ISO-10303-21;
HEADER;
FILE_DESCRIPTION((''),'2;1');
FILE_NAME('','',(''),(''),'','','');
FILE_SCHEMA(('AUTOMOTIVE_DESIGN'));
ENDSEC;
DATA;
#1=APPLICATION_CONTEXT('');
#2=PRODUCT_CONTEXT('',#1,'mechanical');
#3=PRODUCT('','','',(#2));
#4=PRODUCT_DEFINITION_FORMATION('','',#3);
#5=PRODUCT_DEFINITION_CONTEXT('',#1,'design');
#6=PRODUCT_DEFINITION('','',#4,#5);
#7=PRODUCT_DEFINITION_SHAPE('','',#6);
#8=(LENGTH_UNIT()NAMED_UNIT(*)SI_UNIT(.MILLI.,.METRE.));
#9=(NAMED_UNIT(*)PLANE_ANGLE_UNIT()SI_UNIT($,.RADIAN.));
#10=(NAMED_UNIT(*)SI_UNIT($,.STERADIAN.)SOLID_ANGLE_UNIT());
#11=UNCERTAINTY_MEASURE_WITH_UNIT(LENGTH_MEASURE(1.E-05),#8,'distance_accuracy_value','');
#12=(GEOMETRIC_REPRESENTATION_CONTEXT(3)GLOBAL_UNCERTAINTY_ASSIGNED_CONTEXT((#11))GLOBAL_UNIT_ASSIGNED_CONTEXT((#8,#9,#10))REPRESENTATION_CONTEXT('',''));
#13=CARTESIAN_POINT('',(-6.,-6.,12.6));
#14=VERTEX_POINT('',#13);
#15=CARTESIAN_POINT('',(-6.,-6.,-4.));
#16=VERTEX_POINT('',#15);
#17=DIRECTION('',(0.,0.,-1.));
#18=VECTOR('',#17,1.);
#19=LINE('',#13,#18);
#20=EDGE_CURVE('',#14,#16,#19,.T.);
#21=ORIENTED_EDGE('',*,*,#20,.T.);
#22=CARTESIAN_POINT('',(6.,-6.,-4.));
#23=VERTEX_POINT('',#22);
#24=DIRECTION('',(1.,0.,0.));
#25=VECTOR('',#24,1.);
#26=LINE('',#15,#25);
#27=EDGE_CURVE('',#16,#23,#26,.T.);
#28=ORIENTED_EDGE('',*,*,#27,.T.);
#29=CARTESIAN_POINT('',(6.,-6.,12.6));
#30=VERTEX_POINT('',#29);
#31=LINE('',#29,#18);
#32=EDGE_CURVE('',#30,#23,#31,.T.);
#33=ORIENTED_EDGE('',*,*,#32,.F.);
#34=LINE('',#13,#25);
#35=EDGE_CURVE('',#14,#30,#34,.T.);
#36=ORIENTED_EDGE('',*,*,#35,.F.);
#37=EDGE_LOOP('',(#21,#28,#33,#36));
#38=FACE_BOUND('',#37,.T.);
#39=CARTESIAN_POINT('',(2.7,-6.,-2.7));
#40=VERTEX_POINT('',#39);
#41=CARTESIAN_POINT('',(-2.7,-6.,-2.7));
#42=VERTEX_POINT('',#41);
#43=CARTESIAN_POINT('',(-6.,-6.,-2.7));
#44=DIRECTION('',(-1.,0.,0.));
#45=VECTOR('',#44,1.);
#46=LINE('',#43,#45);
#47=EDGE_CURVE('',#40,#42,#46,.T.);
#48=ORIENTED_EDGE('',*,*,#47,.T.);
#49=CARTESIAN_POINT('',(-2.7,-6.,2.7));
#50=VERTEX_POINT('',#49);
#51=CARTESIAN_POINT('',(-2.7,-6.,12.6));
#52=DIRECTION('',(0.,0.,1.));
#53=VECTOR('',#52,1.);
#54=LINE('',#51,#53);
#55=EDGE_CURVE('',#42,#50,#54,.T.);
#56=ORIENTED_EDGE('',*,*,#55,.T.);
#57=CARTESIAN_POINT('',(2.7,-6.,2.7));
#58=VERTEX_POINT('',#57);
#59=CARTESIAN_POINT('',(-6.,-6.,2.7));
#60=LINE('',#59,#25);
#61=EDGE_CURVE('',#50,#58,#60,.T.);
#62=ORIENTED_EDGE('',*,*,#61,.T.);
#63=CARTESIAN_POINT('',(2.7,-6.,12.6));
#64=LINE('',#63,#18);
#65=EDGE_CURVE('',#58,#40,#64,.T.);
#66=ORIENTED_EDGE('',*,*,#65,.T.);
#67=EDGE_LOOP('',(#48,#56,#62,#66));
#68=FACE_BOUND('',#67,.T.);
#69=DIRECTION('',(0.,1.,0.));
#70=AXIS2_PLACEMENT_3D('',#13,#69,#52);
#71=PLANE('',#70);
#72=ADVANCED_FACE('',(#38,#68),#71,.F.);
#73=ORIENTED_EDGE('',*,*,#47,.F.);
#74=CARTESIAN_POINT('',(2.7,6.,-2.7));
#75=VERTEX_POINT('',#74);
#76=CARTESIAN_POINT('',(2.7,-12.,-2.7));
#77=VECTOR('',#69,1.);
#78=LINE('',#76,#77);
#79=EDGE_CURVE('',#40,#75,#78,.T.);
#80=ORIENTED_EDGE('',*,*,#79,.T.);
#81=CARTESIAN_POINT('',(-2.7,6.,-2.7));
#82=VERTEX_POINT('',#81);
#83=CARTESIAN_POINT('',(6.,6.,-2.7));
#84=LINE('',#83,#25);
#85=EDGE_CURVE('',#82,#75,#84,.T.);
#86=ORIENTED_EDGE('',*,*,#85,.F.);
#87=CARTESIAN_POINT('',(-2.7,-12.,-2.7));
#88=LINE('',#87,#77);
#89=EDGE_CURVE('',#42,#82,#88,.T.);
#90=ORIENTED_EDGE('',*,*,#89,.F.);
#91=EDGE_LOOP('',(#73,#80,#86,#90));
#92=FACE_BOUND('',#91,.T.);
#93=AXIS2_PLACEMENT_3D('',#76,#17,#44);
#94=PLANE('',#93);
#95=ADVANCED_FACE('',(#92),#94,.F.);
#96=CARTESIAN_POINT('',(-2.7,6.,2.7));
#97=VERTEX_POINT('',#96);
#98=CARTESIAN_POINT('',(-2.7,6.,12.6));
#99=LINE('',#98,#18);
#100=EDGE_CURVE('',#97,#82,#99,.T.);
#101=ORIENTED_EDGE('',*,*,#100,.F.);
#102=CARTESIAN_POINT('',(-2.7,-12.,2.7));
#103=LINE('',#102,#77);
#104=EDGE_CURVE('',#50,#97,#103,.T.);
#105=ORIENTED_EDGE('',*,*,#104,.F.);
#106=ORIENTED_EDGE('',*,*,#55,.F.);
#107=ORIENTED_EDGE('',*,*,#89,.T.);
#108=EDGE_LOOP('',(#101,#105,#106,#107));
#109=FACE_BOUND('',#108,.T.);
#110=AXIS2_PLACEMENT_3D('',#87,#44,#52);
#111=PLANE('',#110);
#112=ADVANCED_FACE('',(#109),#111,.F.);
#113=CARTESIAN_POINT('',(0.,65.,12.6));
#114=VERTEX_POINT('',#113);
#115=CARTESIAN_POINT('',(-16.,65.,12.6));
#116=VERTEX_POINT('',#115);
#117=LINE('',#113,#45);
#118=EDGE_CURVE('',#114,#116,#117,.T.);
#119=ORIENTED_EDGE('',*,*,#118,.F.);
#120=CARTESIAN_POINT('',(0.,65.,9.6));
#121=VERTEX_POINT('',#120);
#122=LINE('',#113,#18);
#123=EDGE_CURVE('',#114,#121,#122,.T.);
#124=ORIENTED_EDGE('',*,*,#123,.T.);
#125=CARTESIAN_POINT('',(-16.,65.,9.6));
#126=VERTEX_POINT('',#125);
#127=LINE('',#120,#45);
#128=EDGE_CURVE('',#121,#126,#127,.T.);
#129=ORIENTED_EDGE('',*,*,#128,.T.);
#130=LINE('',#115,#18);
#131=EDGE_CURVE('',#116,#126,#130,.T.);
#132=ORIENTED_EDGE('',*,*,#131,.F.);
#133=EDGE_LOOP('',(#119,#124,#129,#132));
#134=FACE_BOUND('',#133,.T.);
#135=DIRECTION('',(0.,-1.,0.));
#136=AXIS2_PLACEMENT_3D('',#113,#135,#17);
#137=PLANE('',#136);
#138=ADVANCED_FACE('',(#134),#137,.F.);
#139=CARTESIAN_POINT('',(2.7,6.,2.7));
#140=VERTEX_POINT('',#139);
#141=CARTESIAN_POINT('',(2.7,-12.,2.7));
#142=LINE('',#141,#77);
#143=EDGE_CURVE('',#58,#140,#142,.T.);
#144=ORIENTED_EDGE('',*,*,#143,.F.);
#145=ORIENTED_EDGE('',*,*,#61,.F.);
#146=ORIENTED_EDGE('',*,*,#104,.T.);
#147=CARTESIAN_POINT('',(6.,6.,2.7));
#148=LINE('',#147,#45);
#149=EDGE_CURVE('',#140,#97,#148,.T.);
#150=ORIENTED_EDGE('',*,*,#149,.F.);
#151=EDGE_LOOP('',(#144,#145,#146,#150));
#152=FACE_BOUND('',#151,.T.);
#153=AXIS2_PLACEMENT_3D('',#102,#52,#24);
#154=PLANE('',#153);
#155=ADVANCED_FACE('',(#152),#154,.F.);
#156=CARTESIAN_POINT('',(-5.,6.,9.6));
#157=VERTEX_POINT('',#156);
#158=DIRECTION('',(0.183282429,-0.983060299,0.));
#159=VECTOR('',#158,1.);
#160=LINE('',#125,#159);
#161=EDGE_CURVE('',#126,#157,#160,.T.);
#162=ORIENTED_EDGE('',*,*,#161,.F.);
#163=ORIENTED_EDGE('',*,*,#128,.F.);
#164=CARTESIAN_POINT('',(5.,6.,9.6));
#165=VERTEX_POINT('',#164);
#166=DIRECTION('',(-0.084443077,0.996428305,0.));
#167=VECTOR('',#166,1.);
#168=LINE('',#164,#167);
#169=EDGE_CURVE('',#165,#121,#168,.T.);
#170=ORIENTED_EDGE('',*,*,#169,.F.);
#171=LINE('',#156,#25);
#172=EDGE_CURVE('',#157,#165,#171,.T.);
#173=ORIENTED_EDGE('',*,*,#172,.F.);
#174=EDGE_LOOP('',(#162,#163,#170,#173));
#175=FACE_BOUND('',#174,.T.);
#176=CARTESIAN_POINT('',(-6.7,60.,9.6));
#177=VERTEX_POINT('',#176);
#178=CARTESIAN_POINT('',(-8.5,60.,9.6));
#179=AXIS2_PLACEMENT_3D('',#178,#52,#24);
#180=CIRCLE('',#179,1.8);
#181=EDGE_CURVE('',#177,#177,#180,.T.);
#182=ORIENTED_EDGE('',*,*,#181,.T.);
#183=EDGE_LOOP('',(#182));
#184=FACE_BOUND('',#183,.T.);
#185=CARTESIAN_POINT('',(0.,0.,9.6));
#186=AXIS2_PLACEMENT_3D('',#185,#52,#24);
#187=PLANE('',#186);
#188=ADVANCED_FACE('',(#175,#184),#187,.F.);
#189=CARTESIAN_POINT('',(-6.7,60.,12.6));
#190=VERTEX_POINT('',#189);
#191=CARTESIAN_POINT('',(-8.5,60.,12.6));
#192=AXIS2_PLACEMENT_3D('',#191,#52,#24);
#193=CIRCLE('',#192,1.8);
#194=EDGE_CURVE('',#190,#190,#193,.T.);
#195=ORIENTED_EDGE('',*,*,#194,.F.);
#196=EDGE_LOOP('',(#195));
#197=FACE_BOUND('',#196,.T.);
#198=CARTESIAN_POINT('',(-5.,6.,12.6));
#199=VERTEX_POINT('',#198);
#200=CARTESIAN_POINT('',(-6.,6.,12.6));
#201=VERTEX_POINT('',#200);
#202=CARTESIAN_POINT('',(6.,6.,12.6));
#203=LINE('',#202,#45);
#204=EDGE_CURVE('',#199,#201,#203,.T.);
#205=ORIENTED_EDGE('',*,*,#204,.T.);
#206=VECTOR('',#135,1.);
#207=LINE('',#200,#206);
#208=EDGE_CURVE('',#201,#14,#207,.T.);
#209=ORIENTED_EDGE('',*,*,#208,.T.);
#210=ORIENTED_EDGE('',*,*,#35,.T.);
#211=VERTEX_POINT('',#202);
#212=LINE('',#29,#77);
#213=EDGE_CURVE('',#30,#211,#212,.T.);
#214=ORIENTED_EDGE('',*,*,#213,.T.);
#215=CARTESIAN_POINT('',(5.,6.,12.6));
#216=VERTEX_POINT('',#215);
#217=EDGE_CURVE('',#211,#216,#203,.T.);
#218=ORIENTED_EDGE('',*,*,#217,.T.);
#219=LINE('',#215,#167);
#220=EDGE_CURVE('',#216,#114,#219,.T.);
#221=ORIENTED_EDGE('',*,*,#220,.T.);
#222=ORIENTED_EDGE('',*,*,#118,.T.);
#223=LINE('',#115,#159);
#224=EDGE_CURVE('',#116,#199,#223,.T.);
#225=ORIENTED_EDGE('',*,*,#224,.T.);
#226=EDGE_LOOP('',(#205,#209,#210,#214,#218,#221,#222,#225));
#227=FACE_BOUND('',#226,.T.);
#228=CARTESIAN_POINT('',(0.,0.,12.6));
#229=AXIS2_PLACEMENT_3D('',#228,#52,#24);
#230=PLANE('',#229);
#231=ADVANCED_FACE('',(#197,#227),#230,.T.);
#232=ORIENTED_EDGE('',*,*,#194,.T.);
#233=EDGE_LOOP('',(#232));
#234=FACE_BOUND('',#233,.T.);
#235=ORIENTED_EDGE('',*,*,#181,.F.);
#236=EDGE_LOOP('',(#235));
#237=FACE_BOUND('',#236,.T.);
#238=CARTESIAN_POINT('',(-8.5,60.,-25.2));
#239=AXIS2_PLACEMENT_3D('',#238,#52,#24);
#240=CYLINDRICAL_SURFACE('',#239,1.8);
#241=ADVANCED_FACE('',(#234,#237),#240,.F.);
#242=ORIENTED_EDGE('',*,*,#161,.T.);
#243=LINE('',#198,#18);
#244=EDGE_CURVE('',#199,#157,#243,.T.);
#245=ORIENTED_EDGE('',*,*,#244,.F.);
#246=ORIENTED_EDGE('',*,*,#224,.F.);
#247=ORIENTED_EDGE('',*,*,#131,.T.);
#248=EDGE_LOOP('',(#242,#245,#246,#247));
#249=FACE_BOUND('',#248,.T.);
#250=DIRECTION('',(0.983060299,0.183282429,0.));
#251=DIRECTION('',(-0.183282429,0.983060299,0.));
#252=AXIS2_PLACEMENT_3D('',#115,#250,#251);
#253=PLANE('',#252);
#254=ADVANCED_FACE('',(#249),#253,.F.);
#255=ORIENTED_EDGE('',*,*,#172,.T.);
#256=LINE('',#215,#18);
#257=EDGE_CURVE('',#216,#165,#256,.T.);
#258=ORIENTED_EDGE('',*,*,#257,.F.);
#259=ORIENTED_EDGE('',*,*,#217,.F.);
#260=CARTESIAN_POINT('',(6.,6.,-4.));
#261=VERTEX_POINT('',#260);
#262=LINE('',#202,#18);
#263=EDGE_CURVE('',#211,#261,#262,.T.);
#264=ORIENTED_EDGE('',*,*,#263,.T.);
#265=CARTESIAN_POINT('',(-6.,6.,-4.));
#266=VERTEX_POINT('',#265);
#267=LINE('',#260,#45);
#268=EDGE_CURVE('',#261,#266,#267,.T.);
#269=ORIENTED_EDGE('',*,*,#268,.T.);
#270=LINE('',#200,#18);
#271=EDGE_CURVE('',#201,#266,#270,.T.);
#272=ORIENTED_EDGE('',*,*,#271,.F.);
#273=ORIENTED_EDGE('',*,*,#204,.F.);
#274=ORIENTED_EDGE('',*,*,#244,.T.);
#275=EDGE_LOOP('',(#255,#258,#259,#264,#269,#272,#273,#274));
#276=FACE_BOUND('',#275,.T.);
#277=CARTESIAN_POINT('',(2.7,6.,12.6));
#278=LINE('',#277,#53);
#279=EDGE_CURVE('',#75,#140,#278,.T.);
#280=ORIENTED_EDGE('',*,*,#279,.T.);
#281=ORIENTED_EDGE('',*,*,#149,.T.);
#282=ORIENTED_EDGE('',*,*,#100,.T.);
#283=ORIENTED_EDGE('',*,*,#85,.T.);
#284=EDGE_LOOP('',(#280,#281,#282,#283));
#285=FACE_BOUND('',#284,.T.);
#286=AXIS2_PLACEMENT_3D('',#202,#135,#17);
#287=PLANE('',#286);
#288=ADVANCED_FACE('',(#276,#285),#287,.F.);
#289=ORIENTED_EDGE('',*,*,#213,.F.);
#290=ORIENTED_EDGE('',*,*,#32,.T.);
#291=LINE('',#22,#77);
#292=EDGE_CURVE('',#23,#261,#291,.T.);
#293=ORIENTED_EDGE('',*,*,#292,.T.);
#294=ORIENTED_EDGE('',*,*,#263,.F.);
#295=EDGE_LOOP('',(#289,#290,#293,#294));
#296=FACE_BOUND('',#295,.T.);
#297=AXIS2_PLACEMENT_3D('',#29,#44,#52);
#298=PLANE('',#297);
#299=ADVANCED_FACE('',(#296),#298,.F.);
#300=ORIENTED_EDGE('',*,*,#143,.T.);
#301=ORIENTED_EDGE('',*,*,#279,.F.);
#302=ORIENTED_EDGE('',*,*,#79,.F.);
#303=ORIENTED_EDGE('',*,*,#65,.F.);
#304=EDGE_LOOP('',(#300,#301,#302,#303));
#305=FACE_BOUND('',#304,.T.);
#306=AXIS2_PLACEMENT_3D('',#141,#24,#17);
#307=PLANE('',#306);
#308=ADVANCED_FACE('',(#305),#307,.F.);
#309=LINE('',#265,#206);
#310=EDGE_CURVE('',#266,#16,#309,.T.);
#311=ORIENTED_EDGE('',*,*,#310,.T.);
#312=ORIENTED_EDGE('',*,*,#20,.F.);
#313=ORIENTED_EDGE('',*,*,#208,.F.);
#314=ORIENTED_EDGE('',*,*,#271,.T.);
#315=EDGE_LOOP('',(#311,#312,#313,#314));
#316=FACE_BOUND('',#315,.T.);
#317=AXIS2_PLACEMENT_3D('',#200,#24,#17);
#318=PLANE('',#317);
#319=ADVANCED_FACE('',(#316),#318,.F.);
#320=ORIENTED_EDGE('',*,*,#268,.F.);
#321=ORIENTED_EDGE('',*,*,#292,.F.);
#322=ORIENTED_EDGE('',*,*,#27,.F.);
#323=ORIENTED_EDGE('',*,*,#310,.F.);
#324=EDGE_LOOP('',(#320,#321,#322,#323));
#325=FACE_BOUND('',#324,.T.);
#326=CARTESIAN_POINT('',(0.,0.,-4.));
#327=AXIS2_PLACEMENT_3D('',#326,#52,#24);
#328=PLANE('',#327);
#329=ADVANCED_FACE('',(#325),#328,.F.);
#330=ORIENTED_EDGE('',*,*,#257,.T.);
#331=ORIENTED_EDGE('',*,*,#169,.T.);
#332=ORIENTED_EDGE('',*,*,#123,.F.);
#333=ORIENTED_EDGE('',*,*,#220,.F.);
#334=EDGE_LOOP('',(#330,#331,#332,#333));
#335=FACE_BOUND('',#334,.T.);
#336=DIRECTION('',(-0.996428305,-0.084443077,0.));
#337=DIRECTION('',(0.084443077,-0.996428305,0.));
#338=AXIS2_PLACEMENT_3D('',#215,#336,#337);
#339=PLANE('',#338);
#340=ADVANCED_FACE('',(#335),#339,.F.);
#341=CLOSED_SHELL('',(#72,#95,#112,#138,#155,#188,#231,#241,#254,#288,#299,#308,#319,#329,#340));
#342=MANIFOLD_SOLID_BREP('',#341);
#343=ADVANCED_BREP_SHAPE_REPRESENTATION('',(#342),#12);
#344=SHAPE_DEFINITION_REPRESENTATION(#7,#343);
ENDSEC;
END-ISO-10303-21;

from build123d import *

# Parameters (mm, degrees)
BOSS_EXTRUDE1_START = -4
SKETCH1_W           = 12
SKETCH1_H           = 12
BOSS_EXTRUDE1_DEPTH = 16.6
SKETCH2_W           = 5.4
SKETCH2_H           = 5.4
CUT_EXTRUDE1_DEPTH  = 12
BOSS_EXTRUDE2_START = 9.6
BOSS_EXTRUDE2_DEPTH = 3
SKETCH4_R           = 1.8
CUT_EXTRUDE2_DEPTH  = 25.2


with BuildPart() as part:
    # Sketch1 → Boss-Extrude1 (new body)
    with BuildSketch(Plane.XY.offset(BOSS_EXTRUDE1_START)):
        Rectangle(SKETCH1_W, SKETCH1_H)
    extrude(amount=BOSS_EXTRUDE1_DEPTH)

    # Sketch2 → Cut-Extrude1 (cut, symmetric)
    with BuildSketch(Plane(origin=(0, 0, 0), x_dir=(1, 0, 0), z_dir=(0, 1, 0))):
        Rectangle(SKETCH2_W, SKETCH2_H)
    extrude(amount=CUT_EXTRUDE1_DEPTH, both=True, mode=Mode.SUBTRACT)

    # Sketch3 → Boss-Extrude2 (add)
    with BuildSketch(Plane.XY.offset(BOSS_EXTRUDE2_START)):
        Polygon((-5, 6), (5, 6), (0, 65), (-16, 65), align=None)
    extrude(amount=BOSS_EXTRUDE2_DEPTH)

    # Sketch4 → Cut-Extrude2 (cut, symmetric)
    with BuildSketch(Plane.XY):
        with Locations((-8.5, 60)):
            Circle(SKETCH4_R)
    extrude(amount=CUT_EXTRUDE2_DEPTH, both=True, mode=Mode.SUBTRACT)


solid = part.part
